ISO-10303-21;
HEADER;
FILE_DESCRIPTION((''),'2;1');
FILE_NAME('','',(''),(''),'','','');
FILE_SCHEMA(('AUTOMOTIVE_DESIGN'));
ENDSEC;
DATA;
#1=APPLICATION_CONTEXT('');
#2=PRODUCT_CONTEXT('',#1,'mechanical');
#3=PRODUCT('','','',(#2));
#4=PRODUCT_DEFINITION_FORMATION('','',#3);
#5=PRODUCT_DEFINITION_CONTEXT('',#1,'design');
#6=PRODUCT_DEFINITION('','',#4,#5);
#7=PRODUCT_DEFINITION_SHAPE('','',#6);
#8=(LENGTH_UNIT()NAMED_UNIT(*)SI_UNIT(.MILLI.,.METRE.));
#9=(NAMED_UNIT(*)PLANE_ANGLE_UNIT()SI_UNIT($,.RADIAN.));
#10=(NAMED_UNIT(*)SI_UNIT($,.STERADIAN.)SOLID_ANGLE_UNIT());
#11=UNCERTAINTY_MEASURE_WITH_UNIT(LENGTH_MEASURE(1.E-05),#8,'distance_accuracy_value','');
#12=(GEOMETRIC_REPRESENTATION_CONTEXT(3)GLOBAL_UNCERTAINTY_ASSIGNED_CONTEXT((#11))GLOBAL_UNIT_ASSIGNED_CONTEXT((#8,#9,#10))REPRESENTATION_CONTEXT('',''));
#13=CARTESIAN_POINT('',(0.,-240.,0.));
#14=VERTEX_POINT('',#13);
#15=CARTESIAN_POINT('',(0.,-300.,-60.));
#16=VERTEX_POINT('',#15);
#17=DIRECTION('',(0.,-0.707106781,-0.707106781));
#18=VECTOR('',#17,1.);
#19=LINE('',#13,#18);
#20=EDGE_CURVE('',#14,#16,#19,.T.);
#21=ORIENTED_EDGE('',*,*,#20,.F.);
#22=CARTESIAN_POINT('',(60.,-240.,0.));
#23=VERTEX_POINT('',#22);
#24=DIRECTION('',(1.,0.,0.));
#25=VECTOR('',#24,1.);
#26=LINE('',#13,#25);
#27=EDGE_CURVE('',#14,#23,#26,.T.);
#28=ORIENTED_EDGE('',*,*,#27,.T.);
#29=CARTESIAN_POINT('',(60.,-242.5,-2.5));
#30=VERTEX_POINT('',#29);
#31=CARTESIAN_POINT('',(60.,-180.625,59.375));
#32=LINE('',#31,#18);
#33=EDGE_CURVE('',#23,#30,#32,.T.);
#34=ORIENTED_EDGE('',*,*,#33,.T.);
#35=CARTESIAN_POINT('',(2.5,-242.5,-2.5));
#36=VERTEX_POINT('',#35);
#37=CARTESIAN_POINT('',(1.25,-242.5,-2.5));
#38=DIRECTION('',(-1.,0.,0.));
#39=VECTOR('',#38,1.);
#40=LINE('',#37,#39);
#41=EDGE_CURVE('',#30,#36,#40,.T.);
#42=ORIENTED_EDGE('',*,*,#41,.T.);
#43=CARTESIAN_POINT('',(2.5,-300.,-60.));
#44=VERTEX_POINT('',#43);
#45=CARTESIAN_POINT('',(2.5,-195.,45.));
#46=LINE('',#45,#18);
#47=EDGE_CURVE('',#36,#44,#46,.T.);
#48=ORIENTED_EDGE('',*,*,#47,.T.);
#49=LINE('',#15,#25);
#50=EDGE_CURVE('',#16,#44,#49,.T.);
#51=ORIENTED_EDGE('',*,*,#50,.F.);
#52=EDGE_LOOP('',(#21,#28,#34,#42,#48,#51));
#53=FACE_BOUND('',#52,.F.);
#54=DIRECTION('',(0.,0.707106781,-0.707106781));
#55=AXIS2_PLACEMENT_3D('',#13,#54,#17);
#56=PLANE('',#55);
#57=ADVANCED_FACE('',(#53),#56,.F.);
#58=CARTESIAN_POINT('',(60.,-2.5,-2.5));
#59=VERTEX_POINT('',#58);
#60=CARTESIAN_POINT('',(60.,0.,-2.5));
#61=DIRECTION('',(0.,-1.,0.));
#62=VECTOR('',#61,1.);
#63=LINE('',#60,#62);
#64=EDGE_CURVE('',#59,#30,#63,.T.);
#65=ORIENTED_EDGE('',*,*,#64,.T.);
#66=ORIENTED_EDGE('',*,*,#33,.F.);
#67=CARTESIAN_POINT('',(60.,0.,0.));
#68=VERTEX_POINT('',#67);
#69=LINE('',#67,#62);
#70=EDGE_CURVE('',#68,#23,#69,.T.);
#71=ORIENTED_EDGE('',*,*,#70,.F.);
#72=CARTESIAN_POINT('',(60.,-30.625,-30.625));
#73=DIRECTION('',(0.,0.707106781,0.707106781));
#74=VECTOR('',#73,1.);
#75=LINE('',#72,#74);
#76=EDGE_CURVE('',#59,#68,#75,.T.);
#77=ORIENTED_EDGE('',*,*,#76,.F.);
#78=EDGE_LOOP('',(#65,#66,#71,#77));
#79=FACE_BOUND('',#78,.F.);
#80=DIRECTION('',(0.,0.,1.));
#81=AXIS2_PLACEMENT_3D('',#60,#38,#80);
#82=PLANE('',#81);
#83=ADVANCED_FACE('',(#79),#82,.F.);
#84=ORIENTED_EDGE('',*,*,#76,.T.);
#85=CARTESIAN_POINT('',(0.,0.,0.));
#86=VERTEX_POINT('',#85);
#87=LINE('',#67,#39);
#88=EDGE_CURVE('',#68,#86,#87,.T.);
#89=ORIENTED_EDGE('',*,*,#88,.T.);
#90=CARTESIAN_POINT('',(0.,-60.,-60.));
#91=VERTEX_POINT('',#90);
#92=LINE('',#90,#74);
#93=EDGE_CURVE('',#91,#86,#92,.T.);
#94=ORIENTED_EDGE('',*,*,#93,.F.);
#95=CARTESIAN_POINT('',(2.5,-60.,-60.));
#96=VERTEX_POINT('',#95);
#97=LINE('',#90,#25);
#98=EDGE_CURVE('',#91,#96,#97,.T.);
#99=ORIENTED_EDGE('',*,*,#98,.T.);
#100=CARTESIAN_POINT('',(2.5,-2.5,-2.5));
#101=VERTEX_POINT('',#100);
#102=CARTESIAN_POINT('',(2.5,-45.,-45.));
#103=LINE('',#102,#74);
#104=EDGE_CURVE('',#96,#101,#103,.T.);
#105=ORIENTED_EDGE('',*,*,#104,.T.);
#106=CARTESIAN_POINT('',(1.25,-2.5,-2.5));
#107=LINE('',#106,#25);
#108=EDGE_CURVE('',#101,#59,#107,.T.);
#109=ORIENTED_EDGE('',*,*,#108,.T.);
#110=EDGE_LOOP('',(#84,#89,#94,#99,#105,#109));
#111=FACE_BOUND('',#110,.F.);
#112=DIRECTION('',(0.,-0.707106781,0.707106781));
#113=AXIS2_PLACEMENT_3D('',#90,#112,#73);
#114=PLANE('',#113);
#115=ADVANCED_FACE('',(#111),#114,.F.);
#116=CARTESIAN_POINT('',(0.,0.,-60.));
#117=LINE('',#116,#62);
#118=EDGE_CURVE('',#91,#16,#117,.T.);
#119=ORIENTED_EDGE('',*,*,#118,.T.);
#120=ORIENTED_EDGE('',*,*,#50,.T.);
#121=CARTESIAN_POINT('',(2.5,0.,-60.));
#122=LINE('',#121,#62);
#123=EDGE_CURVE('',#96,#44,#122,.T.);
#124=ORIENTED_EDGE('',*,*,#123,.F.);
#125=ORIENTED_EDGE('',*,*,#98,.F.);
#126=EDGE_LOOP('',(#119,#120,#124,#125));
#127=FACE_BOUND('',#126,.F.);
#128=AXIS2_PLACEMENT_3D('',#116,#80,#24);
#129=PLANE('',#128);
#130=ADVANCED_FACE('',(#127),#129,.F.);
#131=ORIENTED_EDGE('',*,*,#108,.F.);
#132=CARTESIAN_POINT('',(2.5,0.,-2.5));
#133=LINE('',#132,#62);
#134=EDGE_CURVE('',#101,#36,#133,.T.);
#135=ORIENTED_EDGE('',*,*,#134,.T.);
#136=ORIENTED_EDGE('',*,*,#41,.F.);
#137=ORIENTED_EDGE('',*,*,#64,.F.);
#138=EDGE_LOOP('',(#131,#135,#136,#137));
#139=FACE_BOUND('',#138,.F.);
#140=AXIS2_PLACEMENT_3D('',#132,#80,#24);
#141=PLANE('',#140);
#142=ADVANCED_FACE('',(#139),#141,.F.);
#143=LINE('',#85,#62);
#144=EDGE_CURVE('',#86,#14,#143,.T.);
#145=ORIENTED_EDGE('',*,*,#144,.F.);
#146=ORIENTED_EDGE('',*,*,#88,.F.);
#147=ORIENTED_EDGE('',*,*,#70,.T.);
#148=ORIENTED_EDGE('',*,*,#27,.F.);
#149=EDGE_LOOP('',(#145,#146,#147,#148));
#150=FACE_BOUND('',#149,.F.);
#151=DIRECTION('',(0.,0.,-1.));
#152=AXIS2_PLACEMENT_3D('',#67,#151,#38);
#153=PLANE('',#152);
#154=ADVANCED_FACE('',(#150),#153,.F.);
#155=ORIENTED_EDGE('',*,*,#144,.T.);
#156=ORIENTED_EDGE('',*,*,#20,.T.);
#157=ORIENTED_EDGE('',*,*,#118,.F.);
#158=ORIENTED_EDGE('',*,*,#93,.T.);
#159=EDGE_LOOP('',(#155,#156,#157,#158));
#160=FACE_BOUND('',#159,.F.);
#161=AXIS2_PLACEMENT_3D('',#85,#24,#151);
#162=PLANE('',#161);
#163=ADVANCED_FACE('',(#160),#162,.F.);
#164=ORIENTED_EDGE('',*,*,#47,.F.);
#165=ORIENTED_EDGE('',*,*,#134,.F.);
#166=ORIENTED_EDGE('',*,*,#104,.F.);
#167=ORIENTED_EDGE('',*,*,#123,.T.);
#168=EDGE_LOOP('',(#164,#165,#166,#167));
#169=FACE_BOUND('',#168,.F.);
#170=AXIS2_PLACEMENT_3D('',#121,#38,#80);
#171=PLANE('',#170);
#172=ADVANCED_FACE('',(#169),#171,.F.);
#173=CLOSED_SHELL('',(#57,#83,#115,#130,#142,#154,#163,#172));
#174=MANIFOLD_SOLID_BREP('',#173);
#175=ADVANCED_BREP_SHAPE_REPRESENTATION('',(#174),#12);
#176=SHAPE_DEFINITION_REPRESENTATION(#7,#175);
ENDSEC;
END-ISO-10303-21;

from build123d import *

# Parameters (mm, degrees)
F1_DEPTH = 300
F3_DEPTH = 60.001
F5_DEPTH = 60.001


with BuildPart() as f1:
    # F0 (on Front) → F1 (new body)
    with BuildSketch(Plane.XZ):
        Polygon((60, 0), (0, 0), (0, -60), (2.5, -60), (2.5, -2.5), (60, -2.5), align=None)
    extrude(amount=F1_DEPTH)

    # F2 (on face) → F3 (cut, through all)
    with BuildSketch(Plane(origin=(0, 0, 0), x_dir=(0, -1, 0), z_dir=(-1, 0, 0))):
        Polygon((0, 0), (0, -60), (60, -60), align=None)
    extrude(amount=-F3_DEPTH, mode=Mode.SUBTRACT)

    # F4 (on face) → F5 (cut, through all)
    with BuildSketch(Plane(origin=(0, 0, 0), x_dir=(0, -1, 0), z_dir=(-1, 0, 0))):
        Polygon((240, 0), (300, -60), (300, 0), align=None)
    extrude(amount=-F5_DEPTH, mode=Mode.SUBTRACT)


solid = f1.part
